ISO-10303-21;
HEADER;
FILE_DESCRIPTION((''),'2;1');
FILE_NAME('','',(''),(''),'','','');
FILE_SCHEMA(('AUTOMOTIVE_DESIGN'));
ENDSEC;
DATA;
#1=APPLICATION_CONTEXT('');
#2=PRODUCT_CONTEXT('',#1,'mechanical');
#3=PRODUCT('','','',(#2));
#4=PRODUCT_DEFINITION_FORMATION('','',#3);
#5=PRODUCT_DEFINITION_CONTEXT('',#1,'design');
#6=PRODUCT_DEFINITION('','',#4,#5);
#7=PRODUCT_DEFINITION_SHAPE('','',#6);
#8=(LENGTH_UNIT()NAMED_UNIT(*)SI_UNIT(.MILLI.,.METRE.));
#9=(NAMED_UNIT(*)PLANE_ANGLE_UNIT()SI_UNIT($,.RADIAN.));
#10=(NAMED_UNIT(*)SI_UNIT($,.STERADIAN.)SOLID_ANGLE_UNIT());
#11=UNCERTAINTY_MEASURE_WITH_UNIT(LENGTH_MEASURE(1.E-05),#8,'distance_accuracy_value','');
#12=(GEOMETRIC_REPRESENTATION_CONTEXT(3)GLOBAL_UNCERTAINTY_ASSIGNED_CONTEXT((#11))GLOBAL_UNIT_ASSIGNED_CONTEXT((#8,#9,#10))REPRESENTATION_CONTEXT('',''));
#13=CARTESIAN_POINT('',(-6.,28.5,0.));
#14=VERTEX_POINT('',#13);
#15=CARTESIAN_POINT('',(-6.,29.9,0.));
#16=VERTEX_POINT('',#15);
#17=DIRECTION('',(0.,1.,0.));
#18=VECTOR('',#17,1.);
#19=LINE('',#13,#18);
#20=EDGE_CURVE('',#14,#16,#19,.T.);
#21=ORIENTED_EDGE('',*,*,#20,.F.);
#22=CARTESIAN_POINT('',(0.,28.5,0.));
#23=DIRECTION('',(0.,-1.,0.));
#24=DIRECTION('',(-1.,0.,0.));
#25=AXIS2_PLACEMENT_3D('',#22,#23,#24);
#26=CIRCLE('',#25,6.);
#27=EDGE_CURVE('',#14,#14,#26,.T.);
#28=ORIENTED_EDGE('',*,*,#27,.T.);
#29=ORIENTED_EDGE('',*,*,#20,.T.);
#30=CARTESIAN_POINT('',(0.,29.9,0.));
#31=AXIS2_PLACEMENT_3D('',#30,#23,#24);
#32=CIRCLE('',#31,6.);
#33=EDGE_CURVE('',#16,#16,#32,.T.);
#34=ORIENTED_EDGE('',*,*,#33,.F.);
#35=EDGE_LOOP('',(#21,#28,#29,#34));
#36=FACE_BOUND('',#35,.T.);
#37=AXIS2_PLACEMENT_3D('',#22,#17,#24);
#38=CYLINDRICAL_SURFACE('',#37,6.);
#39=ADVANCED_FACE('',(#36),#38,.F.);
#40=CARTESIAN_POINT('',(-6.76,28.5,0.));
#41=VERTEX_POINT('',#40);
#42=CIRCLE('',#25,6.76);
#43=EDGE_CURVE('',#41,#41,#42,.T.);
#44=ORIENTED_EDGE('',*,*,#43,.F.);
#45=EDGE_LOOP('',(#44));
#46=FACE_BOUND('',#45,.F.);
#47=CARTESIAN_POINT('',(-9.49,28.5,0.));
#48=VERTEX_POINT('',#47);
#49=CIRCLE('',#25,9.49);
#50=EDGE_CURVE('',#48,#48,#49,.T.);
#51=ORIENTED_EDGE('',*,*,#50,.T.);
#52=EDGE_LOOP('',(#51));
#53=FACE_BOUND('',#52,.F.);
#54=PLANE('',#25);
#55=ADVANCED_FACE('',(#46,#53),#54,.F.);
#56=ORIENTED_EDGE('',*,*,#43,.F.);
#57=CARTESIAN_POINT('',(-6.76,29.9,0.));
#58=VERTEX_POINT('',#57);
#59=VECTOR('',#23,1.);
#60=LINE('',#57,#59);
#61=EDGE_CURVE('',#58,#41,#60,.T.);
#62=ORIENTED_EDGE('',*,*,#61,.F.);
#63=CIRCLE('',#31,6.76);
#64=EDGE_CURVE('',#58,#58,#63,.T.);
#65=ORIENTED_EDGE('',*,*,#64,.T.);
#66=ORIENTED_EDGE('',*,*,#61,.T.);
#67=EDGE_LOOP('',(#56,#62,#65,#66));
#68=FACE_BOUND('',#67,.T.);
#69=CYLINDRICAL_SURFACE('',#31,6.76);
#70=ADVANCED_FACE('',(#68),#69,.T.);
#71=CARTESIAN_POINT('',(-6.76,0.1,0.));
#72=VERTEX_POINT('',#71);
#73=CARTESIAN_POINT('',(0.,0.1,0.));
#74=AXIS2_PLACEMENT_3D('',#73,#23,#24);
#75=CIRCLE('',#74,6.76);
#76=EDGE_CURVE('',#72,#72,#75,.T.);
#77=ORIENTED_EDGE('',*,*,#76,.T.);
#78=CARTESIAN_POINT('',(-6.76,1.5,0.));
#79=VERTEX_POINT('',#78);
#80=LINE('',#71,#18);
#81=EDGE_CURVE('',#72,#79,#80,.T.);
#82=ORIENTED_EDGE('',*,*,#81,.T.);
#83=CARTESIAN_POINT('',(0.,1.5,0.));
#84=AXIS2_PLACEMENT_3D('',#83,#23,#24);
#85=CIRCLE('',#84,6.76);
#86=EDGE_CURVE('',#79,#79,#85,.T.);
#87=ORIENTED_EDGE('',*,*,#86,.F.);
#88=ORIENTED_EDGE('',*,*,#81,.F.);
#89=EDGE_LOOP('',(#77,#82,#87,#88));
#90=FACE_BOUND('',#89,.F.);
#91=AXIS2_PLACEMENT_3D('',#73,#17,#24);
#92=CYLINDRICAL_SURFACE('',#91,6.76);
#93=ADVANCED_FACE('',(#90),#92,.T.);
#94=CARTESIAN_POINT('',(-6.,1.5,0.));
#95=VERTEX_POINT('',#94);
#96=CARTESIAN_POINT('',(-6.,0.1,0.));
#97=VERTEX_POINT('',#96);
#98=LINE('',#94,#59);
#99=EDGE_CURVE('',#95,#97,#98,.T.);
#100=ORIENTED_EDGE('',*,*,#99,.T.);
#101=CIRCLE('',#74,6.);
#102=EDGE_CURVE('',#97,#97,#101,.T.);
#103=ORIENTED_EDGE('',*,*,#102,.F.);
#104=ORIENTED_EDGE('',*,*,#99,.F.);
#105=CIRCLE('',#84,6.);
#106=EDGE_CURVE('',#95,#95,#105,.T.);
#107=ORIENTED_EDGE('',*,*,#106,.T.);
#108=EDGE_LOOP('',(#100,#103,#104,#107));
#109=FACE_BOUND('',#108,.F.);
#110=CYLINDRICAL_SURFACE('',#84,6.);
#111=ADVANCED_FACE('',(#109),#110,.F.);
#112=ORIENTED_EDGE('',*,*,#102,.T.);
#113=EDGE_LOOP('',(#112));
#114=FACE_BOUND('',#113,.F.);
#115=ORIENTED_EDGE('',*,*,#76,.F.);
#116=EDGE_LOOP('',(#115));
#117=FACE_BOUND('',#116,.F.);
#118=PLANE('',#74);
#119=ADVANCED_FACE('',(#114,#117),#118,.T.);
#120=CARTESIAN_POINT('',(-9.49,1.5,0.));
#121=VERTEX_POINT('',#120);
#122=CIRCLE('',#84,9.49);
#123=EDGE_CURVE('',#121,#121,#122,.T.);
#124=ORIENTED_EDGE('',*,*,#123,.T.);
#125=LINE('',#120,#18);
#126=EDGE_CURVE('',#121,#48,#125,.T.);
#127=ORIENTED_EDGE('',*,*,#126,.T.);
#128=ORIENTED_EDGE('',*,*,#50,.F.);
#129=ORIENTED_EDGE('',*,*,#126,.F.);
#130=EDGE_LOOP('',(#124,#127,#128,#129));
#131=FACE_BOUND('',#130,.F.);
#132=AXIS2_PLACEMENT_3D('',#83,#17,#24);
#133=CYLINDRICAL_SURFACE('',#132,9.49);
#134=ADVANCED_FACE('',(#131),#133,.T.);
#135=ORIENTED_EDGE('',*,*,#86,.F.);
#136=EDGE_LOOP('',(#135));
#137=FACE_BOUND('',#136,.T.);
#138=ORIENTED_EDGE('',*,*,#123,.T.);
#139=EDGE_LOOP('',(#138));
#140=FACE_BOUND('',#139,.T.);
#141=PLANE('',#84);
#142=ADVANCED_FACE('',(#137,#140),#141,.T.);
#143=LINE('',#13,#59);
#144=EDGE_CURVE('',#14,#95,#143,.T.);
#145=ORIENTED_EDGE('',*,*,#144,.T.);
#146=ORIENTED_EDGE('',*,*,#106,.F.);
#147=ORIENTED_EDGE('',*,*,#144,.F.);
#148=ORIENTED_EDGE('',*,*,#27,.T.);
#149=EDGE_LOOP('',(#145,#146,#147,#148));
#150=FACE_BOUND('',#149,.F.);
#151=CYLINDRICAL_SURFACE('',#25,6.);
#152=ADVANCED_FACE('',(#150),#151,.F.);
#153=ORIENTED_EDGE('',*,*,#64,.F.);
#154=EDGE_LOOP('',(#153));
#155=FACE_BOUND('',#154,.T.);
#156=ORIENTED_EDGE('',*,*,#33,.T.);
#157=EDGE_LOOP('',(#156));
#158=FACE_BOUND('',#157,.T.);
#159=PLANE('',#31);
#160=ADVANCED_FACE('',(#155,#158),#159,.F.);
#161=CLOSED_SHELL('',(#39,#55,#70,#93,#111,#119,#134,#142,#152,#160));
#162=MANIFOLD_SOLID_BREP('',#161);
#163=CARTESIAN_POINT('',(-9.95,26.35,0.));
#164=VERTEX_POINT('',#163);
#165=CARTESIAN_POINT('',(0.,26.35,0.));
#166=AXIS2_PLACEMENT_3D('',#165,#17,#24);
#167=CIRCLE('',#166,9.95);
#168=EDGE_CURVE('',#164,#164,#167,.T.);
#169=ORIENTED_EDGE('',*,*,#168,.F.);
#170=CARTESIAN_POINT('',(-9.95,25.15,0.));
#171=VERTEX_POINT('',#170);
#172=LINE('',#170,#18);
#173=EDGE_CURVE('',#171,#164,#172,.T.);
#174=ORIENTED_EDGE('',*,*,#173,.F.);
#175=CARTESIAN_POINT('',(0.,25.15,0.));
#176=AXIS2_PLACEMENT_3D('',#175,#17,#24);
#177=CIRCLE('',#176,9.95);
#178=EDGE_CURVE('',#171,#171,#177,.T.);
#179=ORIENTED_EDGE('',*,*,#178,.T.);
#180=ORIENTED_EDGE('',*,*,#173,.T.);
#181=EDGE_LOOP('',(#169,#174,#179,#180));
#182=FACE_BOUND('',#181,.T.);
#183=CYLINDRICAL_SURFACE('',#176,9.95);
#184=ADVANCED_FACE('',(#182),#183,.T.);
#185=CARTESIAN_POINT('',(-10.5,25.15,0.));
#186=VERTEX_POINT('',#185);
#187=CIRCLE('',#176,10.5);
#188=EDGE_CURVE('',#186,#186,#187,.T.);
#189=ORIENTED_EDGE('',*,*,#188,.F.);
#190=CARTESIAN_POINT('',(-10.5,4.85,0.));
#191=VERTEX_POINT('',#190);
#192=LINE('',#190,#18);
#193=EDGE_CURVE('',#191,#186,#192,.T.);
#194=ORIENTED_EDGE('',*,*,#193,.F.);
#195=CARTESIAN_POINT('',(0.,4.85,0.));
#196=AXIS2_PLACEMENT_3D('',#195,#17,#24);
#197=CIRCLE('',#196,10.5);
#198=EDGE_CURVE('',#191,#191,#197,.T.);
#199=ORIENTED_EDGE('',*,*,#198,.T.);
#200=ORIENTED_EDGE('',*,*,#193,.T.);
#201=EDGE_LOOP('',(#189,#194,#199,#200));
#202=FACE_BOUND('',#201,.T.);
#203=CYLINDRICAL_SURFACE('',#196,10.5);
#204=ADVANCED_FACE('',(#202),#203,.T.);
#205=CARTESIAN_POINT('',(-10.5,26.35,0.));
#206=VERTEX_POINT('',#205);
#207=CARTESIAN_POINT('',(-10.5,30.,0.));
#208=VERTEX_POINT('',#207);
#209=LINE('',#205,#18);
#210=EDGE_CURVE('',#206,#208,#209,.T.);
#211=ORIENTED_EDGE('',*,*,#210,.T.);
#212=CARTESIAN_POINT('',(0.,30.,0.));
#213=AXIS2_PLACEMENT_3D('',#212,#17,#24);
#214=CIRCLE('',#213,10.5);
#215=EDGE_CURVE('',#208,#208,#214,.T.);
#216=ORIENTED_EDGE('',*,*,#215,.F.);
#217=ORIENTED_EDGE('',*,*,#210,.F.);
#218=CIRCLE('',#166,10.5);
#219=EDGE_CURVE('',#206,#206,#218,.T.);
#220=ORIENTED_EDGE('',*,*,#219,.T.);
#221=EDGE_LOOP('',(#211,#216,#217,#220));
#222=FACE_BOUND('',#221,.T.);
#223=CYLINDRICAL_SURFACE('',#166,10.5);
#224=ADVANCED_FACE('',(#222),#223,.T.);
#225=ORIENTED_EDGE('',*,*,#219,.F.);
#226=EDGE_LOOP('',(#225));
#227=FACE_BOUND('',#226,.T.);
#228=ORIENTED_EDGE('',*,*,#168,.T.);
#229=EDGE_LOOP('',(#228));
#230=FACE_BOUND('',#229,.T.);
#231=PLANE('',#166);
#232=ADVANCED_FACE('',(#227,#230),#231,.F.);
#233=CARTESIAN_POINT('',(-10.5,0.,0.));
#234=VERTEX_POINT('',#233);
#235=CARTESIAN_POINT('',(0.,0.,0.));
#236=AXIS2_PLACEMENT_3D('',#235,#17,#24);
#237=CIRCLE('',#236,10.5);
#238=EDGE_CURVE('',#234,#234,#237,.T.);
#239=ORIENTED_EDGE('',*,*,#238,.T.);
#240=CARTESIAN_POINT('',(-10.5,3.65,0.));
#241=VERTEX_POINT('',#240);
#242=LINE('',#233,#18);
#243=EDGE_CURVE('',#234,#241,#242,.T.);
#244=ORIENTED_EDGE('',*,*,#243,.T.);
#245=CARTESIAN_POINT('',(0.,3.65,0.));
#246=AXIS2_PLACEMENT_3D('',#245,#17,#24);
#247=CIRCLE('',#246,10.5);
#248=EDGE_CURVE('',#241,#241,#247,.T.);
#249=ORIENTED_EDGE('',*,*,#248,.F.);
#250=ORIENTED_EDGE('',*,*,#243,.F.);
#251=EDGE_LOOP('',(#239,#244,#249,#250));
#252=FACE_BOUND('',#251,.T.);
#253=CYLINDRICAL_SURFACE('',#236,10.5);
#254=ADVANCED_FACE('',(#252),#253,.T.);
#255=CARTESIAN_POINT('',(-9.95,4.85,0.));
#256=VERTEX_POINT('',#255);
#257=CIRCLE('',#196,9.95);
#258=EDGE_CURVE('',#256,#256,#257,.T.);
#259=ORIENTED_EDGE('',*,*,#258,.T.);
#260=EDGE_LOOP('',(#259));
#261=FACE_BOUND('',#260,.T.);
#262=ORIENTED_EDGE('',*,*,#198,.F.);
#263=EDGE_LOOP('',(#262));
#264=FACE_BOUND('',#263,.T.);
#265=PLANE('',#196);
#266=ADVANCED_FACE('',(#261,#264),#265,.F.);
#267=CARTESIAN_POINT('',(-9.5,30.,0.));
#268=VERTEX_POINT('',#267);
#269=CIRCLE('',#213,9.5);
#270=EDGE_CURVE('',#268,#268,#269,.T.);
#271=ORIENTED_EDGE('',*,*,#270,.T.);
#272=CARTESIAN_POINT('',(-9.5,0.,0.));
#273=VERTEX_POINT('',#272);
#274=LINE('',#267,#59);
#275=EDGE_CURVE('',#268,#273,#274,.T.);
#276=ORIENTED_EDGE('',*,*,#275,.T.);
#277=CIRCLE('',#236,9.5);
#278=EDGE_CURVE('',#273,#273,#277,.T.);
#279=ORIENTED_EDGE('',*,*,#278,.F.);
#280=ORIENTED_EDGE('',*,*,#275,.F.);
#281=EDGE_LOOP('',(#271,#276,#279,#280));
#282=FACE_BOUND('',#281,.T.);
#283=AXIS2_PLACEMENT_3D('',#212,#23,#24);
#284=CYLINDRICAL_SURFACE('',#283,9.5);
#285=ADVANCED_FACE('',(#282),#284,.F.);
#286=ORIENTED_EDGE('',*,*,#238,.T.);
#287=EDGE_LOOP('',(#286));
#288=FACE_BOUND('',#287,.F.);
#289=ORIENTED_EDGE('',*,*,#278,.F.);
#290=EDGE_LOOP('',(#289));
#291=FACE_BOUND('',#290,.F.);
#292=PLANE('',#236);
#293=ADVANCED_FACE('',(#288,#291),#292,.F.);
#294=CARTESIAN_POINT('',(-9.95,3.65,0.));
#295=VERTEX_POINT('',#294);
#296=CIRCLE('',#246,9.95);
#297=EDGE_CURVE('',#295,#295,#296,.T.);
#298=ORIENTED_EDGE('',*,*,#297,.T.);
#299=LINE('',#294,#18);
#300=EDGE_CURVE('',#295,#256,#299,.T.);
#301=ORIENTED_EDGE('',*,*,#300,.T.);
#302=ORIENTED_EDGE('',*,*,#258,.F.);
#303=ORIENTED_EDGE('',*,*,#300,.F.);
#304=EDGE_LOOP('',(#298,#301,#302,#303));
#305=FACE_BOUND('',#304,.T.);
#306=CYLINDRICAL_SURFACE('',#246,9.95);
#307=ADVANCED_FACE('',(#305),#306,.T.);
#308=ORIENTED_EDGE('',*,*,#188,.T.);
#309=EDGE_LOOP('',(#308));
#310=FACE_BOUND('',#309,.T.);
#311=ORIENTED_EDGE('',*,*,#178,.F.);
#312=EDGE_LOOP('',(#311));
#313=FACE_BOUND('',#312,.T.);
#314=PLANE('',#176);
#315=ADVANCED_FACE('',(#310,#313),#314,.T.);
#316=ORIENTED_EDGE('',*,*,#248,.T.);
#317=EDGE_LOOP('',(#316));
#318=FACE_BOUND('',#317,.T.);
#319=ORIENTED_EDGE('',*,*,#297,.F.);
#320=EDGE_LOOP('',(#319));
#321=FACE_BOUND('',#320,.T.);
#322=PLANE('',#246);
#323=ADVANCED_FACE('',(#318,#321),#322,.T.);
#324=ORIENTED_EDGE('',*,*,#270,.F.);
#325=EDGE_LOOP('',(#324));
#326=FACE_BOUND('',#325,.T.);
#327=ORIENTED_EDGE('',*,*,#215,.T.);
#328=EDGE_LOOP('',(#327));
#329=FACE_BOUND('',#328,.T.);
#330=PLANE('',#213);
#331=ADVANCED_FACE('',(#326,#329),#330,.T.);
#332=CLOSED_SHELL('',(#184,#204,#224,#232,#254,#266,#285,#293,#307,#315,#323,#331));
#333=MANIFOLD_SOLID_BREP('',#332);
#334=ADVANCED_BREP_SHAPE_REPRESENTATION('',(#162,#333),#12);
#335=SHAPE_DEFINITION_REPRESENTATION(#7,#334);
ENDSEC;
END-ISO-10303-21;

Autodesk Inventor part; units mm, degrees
ref_plane "YZ Plane" through (0, 0, 0) normal (1, 0, 0) x (0, 1, 0)
ref_plane "XZ Plane" through (0, 0, 0) normal (0, 1, 0) x (-1, 0, 0)
ref_plane "XY Plane" through (0, 0, 0) normal (0, 0, 1) x (1, 0, 0)
sketch "Esboço1" plane through (0, 0, 0) normal (0, 0, 1) x (1, 0, 0)
  line L0 (-10.5, 0) -> (-10.5, 3.65)
  line L1 (-10.5, 3.65) -> (-9.95, 3.65)
  line L2 (-9.95, 3.65) -> (-9.95, 4.85)
  line L3 (-9.95, 4.85) -> (-10.5, 4.85)
  line L4 (-10.5, 4.85) -> (-10.5, 25.15)
  line L5 (-10.5, 25.15) -> (-9.95, 25.15)
  line L6 (-9.95, 25.15) -> (-9.95, 26.35)
  line L7 (-9.95, 26.35) -> (-10.5, 26.35)
  line L8 (-10.5, 26.35) -> (-10.5, 30)
  line L9 (-10.5, 30) -> (-9.5, 30)
  line L10 (-10.5, 0) -> (-9.5, 0)
  line L11 (-9.5, 0) -> (0, 0) construction
  line L12 (0, 0) -> (0, 30) construction
  line L13 (0, 30) -> (-9.5, 30) construction
  line L14 (-9.5, 30) -> (-9.5, 0)
  dimension "d0" = 9.5
  dimension "d1" = 30
  dimension "d2" = 3.65
  dimension "d3" = 3.65
  dimension "d4" = 0.55
  dimension "d5" = 1.2
  dimension "d6" = 1.2
  dimension "d8" = 1
sketch "Esboço3" plane through (0, 0, 0) normal (0, 0, 1) x (1, 0, 0)
  line L0 (0, 0) -> (-6, 0) construction
  line L1 (-6, 0) -> (-6, 30) construction
  line L2 (-6, 30) -> (0, 30) construction
  line L3 (0, 30) -> (0, 0) construction
  line L4 (0, 30) -> (0, 28.5) construction
  line L5 (0, 0) -> (0, 1.5) construction
  line L6 (0, 1.5) -> (-9.49, 1.5) construction
  line L7 (-9.49, 28.5) -> (-6.76, 28.5)
  line L8 (-6, 28.5) -> (-6, 29.9)
  line L9 (-6, 29.9) -> (-6.76, 29.9)
  line L10 (-6.76, 29.9) -> (-6.76, 28.5)
  line L11 (-9.49, 1.5) -> (-6.76, 1.5)
  line L12 (-6, 1.5) -> (-6, 0.1)
  line L13 (-6, 0.1) -> (-6.76, 0.1)
  line L14 (-6.76, 0.1) -> (-6.76, 1.5)
  line L15 (0, 28.5) -> (-6, 28.5) construction
  line L16 (-6.76, 28.5) -> (-9.49, 28.5) construction
  line L17 (-6, 28.5) -> (-6, 1.5)
  line L18 (-9.49, 1.5) -> (-9.49, 28.5)
  dimension "d11" = 6
  dimension "d14" = 1.5
  dimension "d16" = 1.5
  dimension "d18" = 1.4
  dimension "d19" = 0.76
  dimension "d20" = 1.4
  dimension "d21" = 0.76
  dimension "d22" = 3.49
revolve "Revolução1" add sketch "Esboço3" angle 360 about axis through (0, 30, 0) along (0, -1, 0)
revolve "Revolução2" add sketch "Esboço1" angle 360 about axis through (0, 0, 0) along (0, 1, 0)
properties part number "rolamento_linear_lm12uu.iam"
